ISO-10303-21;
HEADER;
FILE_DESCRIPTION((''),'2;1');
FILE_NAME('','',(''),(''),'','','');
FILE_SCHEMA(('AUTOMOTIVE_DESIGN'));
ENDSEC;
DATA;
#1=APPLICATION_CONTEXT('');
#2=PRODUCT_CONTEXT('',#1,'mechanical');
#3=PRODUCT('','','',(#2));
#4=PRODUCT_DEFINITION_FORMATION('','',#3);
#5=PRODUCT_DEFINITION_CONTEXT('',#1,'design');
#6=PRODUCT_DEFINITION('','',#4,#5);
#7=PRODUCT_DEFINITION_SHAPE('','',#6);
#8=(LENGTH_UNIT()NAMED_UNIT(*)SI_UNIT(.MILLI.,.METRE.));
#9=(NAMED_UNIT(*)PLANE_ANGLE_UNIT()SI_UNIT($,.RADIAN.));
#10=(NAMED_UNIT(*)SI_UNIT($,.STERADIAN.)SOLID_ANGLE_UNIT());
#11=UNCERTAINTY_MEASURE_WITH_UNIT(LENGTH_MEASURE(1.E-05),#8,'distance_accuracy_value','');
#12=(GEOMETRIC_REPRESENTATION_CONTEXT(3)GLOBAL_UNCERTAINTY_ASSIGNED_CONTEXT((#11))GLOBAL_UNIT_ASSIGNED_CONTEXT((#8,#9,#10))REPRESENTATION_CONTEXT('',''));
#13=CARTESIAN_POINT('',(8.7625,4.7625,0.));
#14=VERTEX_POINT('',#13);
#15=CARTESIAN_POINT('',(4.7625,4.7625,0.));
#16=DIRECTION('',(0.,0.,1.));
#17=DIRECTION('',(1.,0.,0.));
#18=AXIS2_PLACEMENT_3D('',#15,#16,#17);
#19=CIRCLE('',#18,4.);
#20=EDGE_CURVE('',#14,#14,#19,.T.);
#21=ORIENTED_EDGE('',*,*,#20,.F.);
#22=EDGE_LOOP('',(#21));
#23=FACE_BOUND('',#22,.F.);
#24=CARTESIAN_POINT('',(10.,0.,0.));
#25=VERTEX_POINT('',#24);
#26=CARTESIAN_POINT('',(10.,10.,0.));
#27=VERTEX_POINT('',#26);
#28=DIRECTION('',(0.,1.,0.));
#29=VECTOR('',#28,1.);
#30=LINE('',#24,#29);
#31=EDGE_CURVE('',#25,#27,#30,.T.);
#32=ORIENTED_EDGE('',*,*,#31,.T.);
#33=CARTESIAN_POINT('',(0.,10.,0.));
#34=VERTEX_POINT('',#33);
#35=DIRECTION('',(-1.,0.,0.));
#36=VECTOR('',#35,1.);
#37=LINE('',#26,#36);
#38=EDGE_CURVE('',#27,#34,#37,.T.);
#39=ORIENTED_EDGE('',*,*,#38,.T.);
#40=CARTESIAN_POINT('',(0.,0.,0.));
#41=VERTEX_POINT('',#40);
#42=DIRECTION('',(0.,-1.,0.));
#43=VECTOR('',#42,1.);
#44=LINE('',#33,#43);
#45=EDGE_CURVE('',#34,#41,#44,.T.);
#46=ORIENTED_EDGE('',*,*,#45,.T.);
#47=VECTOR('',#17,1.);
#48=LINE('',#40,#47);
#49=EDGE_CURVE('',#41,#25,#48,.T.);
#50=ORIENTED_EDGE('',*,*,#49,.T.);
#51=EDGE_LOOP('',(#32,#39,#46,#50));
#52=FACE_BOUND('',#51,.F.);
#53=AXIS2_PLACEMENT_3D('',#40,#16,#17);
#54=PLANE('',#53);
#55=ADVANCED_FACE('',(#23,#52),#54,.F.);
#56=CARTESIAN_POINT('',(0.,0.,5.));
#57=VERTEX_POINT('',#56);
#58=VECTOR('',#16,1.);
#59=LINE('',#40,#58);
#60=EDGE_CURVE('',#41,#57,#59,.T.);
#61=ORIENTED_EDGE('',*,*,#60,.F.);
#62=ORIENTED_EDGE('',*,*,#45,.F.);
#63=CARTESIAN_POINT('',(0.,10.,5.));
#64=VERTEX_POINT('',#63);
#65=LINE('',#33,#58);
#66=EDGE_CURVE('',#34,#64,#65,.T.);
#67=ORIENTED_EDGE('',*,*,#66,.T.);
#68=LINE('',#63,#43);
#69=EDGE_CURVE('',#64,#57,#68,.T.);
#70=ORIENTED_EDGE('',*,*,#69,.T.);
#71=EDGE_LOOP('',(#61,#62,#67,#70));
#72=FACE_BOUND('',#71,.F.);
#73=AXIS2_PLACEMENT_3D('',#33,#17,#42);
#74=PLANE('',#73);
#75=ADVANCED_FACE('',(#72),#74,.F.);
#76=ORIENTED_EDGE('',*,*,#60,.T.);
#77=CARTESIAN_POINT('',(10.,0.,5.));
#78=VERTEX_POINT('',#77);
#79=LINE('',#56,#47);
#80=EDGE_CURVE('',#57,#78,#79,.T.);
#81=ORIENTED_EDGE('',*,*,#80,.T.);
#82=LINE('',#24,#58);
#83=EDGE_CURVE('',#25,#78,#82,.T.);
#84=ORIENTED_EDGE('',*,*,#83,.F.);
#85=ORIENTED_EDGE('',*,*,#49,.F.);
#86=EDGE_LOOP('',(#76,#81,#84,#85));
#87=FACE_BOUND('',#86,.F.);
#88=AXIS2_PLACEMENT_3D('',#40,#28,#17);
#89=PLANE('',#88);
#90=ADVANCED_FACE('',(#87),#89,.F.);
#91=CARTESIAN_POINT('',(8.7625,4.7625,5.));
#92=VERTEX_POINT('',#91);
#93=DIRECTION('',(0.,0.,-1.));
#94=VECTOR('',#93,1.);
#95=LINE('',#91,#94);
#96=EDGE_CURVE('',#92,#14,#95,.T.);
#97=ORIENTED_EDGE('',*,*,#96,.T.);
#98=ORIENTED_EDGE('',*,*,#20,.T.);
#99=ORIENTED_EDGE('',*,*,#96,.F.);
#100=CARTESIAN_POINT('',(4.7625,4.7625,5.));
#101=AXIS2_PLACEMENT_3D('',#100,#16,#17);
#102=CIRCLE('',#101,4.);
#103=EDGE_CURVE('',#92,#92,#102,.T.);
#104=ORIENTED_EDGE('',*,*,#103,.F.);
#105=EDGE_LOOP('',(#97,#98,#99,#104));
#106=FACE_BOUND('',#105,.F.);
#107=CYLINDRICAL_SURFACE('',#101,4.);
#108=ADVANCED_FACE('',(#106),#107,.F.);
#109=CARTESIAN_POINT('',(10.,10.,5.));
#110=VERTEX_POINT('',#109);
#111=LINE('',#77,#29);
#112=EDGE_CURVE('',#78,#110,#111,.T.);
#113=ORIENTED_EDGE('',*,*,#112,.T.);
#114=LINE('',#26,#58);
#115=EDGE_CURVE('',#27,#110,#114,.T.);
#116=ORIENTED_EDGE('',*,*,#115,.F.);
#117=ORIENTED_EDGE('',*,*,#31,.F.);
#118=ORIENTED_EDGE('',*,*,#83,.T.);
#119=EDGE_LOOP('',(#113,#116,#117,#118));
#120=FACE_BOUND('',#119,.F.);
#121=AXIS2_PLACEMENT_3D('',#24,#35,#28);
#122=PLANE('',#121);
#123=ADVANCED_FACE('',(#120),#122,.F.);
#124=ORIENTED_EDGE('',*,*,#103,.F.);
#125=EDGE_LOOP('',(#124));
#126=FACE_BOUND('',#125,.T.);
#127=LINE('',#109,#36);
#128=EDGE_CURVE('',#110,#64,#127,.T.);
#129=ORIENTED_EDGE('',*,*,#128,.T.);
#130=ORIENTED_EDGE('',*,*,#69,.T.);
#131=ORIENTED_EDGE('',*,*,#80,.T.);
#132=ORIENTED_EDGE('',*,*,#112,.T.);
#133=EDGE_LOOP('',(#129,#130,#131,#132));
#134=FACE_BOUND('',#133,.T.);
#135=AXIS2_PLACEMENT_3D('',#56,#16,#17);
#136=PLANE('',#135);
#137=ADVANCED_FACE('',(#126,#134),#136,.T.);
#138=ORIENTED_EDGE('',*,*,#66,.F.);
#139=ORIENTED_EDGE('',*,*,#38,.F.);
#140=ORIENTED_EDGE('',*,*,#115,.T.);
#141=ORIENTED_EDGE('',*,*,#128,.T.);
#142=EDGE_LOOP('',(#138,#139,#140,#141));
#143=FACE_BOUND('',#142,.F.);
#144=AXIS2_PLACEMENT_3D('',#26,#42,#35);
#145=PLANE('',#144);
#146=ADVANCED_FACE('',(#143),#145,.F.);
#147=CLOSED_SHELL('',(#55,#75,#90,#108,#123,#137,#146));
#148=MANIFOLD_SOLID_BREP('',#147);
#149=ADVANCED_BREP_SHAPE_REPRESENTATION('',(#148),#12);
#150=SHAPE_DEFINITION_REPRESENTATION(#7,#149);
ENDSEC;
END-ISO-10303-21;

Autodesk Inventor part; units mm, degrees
ref_plane "YZ Plane" through (0, 0, 0) normal (1, 0, 0) x (0, 1, 0)
ref_plane "XZ Plane" through (0, 0, 0) normal (0, 1, 0) x (-1, 0, 0)
ref_plane "XY Plane" through (0, 0, 0) normal (0, 0, 1) x (1, 0, 0)
sketch "Sketch1" plane through (0, 0, 0) normal (0, 0, 1) x (1, 0, 0)
  line L0 (0, 0) -> (10, 0)
  line L1 (10, 0) -> (10, 10)
  line L2 (10, 10) -> (0, 10)
  line L3 (0, 10) -> (0, 0)
  dimension "d0" = 10
  dimension "d1" = 10
extrude "Extrusion1" add sketch "Sketch1" along normal blind 5
sketch "Sketch2" plane through (0, 0, 5) normal (0, 0, 1) x (1, 0, 0)
  circle A0 centre (4.7625, 4.7625) radius 4
  point P0 (0, 0)
  dimension "d4" = 8
extrude "Extrusion2" cut sketch "Sketch2" against normal through all
thread "Thread1" size "M8x1.25" class "6H" standard "ANSI Metric M Profile" full length
properties part number "very small bolt"
